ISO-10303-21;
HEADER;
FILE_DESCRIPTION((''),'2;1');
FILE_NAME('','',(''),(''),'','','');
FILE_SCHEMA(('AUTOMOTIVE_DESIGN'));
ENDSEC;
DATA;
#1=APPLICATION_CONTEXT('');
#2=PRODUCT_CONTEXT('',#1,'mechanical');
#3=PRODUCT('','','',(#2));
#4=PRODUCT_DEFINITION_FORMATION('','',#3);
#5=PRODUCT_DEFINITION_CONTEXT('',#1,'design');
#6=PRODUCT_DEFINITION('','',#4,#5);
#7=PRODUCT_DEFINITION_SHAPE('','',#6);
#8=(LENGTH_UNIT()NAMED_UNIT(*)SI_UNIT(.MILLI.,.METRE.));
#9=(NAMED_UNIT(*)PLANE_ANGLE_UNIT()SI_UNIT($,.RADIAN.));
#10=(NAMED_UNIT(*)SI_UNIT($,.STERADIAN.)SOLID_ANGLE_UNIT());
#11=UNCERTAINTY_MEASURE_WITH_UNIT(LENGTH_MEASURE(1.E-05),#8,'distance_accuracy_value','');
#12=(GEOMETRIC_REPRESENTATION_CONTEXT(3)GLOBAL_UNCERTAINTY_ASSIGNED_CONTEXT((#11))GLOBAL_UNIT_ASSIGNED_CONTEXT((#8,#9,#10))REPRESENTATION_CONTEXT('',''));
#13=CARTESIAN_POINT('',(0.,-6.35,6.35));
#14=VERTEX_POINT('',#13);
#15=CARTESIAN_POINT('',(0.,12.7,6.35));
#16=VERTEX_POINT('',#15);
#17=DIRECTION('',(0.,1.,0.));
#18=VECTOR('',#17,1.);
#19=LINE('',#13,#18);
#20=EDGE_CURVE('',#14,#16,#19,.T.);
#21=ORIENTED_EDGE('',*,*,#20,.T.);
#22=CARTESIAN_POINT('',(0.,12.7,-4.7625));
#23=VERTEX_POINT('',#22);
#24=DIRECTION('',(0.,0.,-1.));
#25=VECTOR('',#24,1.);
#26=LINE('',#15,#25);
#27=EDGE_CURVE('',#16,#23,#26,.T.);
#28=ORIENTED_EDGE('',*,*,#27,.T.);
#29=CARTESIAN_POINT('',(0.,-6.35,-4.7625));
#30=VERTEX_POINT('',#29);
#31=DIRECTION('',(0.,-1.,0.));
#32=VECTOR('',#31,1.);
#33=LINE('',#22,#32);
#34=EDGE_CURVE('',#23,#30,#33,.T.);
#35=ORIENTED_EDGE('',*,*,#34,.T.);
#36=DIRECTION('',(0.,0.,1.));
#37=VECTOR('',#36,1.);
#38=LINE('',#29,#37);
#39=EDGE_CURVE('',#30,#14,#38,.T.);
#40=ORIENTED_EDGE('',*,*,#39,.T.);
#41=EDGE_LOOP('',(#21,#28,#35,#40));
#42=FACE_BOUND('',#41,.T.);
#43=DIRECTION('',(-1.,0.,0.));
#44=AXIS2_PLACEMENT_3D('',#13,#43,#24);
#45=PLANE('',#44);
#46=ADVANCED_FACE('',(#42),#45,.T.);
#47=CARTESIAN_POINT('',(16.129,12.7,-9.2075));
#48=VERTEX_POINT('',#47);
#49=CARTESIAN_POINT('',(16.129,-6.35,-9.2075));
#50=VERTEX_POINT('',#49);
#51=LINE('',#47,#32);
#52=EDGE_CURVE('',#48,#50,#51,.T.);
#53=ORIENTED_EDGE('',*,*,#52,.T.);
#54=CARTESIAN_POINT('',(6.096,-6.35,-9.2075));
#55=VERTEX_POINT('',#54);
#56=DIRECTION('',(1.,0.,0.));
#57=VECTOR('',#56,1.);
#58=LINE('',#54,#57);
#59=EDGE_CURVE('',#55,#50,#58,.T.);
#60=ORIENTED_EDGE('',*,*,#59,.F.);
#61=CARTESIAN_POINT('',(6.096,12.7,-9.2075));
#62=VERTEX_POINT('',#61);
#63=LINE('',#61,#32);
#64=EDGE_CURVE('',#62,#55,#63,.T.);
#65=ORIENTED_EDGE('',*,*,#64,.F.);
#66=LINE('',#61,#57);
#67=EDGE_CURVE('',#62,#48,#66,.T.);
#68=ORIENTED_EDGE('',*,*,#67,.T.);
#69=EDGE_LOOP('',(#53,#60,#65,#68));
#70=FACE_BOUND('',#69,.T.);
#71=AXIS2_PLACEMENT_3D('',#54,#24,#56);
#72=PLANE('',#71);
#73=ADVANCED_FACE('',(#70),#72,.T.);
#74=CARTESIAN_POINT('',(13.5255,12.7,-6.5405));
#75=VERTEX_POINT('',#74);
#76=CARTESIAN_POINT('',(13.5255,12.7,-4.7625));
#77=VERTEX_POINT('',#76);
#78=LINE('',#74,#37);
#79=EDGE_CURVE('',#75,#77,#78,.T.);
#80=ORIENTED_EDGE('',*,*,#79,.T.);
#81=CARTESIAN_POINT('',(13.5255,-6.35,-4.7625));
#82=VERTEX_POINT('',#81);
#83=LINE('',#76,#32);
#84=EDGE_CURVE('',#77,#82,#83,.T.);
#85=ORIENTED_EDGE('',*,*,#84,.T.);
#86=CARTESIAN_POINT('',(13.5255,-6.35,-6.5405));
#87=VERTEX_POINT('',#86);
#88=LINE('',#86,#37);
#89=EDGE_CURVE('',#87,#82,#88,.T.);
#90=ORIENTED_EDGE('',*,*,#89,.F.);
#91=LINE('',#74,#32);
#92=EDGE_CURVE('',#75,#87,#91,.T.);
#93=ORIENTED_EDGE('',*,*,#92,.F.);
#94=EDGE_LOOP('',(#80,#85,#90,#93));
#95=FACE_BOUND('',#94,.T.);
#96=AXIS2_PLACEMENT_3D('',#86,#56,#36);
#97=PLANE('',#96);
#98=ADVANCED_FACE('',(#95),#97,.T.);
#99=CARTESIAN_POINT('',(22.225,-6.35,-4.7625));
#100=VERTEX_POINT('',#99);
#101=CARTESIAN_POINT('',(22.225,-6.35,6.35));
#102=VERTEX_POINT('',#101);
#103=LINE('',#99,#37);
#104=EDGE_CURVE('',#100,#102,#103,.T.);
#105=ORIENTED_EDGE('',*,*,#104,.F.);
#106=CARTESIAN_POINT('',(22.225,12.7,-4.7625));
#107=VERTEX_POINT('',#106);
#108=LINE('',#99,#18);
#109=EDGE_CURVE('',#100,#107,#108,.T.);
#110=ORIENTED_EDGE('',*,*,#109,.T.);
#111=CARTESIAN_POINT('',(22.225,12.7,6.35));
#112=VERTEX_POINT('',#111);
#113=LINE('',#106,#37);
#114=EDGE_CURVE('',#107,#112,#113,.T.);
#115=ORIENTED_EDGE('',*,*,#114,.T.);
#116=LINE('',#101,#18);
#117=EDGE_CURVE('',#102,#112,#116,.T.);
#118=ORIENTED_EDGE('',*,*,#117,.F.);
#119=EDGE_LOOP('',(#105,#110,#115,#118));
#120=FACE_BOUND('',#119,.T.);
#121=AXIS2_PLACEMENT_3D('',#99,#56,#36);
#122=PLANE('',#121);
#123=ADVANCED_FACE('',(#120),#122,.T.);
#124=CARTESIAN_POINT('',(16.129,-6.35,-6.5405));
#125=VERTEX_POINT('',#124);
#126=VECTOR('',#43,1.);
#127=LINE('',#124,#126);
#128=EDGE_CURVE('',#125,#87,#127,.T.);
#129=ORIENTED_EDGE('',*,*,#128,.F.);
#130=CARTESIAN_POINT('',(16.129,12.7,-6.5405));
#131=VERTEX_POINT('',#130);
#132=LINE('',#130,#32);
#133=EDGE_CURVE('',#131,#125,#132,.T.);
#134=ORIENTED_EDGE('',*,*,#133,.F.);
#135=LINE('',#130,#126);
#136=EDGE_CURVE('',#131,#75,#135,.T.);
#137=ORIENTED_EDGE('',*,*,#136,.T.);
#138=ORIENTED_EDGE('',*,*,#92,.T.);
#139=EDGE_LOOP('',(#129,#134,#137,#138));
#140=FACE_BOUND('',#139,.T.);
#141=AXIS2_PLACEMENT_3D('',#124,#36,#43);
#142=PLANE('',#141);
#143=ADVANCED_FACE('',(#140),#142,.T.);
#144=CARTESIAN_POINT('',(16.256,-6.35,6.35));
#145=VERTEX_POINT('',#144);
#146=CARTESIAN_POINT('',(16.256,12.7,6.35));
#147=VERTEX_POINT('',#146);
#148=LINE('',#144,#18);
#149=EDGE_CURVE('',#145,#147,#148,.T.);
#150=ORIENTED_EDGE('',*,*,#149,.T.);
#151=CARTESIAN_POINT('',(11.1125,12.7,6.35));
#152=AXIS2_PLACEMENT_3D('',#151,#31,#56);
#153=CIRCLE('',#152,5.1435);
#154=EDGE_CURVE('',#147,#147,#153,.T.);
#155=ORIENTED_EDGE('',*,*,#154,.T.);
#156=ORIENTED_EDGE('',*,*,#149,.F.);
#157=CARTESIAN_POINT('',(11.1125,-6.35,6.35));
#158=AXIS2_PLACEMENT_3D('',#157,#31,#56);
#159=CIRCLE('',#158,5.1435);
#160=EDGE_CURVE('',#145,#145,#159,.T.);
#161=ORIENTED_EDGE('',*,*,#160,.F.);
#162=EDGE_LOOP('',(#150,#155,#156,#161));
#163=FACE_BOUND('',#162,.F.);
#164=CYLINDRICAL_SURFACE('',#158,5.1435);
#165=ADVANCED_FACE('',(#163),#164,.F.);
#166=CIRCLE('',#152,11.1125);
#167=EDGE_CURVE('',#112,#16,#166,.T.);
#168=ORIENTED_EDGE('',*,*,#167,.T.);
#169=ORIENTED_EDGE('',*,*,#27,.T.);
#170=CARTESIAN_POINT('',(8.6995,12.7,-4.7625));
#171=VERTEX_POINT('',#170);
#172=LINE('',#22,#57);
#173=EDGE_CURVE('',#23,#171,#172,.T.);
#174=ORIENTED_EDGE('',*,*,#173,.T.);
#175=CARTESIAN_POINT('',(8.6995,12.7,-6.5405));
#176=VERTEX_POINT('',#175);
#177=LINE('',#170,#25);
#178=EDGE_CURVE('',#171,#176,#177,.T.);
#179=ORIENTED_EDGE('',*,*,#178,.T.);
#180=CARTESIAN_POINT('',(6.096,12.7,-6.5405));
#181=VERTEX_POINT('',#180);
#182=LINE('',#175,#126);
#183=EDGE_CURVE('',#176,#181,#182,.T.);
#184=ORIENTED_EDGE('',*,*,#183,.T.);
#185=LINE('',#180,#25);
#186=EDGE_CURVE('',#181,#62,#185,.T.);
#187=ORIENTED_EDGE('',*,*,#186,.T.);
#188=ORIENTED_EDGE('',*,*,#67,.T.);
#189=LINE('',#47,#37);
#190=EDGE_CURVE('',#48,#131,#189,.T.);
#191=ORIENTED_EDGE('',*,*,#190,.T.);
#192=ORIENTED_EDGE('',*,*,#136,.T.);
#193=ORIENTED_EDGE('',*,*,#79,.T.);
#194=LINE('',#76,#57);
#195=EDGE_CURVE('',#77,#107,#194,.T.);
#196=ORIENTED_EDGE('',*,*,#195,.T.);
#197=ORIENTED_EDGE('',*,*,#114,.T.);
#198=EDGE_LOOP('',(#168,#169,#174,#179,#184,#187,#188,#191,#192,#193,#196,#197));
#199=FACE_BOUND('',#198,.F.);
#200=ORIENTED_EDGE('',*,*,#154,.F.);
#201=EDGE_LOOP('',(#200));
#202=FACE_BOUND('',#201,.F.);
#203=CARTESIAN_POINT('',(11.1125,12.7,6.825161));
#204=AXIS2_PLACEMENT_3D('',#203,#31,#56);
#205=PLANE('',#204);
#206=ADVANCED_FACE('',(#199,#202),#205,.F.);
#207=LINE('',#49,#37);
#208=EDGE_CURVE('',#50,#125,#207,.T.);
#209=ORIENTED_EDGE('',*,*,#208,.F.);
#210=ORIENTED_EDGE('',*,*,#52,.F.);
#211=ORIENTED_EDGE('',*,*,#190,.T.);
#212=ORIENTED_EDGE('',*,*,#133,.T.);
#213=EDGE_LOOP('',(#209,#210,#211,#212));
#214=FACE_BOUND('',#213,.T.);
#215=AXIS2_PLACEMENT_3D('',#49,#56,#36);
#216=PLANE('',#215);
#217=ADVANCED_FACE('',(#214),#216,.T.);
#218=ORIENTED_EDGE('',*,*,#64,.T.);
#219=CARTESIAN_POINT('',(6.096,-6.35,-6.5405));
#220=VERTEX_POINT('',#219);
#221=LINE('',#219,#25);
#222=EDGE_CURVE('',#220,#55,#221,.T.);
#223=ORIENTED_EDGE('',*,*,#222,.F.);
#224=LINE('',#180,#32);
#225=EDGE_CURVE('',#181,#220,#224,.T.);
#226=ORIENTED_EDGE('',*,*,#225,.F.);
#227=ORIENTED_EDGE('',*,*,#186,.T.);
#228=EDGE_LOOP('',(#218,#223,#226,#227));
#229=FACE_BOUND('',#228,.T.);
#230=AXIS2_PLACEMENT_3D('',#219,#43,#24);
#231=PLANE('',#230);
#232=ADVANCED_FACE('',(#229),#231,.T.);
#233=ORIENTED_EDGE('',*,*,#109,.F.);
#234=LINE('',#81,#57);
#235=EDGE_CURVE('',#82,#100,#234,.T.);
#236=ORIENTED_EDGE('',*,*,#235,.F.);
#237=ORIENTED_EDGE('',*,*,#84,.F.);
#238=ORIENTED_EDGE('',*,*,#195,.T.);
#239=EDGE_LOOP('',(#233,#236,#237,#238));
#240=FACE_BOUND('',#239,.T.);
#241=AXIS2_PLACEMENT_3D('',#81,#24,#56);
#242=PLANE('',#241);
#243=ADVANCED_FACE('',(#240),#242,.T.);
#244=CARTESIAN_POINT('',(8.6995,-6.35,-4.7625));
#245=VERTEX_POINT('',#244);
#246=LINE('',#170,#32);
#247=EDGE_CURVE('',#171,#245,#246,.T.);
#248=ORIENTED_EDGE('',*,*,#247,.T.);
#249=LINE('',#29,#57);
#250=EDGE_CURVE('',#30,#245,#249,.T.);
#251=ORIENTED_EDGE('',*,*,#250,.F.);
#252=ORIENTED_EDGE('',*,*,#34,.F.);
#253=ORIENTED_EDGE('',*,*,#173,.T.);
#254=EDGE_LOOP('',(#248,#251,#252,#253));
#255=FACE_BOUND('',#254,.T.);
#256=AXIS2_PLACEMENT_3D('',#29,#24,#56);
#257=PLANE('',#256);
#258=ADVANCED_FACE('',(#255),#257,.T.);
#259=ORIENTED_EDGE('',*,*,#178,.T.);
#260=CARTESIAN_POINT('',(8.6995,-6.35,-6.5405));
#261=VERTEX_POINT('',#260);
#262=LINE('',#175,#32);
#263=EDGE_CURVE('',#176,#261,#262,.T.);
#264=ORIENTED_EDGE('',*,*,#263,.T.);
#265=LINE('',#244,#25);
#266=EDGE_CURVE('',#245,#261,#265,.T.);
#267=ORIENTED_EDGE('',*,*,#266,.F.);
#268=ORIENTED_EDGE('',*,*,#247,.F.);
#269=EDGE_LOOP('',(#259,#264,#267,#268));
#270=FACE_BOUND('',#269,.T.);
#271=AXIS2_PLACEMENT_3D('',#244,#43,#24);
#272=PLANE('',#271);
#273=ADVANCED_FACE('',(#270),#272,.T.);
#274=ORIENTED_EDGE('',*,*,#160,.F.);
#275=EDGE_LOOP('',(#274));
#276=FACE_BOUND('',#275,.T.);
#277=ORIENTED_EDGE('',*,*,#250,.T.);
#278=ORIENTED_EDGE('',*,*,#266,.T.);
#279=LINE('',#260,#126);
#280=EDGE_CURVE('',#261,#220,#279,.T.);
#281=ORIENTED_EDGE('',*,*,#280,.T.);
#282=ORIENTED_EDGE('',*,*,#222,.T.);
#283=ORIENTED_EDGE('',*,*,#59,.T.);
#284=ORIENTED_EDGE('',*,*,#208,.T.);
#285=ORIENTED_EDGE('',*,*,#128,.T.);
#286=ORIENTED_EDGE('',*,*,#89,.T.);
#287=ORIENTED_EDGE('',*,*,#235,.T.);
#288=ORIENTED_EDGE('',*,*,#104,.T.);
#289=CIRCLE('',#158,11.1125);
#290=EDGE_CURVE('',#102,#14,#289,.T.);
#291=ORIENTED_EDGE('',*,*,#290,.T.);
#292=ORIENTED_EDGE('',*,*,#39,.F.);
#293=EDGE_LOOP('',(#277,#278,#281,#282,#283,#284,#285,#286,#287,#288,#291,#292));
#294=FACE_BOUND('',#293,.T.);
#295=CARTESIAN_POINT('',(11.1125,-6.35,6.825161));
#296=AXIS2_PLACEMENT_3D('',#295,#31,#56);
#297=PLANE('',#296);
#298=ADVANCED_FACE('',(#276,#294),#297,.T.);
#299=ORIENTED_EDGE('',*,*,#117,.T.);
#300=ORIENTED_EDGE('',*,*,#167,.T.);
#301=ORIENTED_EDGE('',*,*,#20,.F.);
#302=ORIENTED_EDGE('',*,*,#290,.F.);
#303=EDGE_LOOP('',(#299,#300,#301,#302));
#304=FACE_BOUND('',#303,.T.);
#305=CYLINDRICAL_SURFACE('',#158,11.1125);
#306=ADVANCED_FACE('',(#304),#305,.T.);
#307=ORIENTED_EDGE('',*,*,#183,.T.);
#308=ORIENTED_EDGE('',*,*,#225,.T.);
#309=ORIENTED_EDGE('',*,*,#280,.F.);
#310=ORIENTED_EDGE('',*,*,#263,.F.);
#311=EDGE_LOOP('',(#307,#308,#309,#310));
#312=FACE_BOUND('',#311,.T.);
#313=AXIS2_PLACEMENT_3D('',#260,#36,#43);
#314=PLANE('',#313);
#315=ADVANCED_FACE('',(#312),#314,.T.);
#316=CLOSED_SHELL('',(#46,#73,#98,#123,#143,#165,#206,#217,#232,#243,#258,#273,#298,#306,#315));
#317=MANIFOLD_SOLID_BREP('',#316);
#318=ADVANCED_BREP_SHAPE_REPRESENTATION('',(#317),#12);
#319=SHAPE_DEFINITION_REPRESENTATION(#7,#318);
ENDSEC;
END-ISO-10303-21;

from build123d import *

# Parameters (mm, degrees)
F1_DEPTH = 6.35
F2_R     = 5.1435
F3_DEPTH = 19.05


with BuildPart() as f1:
    # F0 (on Front) → F1 (new body)
    with BuildSketch(Plane.XZ):
        Polygon((22.225, 0), (0, 0), (0, -4.7625), (8.6995, -4.7625), (8.6995, -6.5405), (6.096, -6.5405), (6.096, -9.2075), (16.129, -9.2075), (16.129, -6.5405), (13.5255, -6.5405), (13.5255, -4.7625), (22.225, -4.7625), align=None)
    extrude(amount=F1_DEPTH)

    # F2 (on face) → F3 (join)
    with BuildSketch(Plane.XZ.offset(6.35)):
        with BuildLine():
            Line((0, 6.35), (0, 0))
            Line((0, 0), (22.225, 0))
            Line((22.225, 0), (22.225, 6.35))
            ThreePointArc((22.225, 6.35), (11.1125, 17.4625), (0, 6.35))
        make_face()
        with Locations((11.1125, 6.35)):
            Circle(F2_R, mode=Mode.SUBTRACT)
        Polygon((0, 0), (0, -4.7625), (8.6995, -4.7625), (8.6995, -6.5405), (6.096, -6.5405), (6.096, -9.2075), (16.129, -9.2075), (16.129, -6.5405), (13.5255, -6.5405), (13.5255, -4.7625), (22.225, -4.7625), (22.225, 0), align=None)
    extrude(amount=-F3_DEPTH)


solid = f1.part
